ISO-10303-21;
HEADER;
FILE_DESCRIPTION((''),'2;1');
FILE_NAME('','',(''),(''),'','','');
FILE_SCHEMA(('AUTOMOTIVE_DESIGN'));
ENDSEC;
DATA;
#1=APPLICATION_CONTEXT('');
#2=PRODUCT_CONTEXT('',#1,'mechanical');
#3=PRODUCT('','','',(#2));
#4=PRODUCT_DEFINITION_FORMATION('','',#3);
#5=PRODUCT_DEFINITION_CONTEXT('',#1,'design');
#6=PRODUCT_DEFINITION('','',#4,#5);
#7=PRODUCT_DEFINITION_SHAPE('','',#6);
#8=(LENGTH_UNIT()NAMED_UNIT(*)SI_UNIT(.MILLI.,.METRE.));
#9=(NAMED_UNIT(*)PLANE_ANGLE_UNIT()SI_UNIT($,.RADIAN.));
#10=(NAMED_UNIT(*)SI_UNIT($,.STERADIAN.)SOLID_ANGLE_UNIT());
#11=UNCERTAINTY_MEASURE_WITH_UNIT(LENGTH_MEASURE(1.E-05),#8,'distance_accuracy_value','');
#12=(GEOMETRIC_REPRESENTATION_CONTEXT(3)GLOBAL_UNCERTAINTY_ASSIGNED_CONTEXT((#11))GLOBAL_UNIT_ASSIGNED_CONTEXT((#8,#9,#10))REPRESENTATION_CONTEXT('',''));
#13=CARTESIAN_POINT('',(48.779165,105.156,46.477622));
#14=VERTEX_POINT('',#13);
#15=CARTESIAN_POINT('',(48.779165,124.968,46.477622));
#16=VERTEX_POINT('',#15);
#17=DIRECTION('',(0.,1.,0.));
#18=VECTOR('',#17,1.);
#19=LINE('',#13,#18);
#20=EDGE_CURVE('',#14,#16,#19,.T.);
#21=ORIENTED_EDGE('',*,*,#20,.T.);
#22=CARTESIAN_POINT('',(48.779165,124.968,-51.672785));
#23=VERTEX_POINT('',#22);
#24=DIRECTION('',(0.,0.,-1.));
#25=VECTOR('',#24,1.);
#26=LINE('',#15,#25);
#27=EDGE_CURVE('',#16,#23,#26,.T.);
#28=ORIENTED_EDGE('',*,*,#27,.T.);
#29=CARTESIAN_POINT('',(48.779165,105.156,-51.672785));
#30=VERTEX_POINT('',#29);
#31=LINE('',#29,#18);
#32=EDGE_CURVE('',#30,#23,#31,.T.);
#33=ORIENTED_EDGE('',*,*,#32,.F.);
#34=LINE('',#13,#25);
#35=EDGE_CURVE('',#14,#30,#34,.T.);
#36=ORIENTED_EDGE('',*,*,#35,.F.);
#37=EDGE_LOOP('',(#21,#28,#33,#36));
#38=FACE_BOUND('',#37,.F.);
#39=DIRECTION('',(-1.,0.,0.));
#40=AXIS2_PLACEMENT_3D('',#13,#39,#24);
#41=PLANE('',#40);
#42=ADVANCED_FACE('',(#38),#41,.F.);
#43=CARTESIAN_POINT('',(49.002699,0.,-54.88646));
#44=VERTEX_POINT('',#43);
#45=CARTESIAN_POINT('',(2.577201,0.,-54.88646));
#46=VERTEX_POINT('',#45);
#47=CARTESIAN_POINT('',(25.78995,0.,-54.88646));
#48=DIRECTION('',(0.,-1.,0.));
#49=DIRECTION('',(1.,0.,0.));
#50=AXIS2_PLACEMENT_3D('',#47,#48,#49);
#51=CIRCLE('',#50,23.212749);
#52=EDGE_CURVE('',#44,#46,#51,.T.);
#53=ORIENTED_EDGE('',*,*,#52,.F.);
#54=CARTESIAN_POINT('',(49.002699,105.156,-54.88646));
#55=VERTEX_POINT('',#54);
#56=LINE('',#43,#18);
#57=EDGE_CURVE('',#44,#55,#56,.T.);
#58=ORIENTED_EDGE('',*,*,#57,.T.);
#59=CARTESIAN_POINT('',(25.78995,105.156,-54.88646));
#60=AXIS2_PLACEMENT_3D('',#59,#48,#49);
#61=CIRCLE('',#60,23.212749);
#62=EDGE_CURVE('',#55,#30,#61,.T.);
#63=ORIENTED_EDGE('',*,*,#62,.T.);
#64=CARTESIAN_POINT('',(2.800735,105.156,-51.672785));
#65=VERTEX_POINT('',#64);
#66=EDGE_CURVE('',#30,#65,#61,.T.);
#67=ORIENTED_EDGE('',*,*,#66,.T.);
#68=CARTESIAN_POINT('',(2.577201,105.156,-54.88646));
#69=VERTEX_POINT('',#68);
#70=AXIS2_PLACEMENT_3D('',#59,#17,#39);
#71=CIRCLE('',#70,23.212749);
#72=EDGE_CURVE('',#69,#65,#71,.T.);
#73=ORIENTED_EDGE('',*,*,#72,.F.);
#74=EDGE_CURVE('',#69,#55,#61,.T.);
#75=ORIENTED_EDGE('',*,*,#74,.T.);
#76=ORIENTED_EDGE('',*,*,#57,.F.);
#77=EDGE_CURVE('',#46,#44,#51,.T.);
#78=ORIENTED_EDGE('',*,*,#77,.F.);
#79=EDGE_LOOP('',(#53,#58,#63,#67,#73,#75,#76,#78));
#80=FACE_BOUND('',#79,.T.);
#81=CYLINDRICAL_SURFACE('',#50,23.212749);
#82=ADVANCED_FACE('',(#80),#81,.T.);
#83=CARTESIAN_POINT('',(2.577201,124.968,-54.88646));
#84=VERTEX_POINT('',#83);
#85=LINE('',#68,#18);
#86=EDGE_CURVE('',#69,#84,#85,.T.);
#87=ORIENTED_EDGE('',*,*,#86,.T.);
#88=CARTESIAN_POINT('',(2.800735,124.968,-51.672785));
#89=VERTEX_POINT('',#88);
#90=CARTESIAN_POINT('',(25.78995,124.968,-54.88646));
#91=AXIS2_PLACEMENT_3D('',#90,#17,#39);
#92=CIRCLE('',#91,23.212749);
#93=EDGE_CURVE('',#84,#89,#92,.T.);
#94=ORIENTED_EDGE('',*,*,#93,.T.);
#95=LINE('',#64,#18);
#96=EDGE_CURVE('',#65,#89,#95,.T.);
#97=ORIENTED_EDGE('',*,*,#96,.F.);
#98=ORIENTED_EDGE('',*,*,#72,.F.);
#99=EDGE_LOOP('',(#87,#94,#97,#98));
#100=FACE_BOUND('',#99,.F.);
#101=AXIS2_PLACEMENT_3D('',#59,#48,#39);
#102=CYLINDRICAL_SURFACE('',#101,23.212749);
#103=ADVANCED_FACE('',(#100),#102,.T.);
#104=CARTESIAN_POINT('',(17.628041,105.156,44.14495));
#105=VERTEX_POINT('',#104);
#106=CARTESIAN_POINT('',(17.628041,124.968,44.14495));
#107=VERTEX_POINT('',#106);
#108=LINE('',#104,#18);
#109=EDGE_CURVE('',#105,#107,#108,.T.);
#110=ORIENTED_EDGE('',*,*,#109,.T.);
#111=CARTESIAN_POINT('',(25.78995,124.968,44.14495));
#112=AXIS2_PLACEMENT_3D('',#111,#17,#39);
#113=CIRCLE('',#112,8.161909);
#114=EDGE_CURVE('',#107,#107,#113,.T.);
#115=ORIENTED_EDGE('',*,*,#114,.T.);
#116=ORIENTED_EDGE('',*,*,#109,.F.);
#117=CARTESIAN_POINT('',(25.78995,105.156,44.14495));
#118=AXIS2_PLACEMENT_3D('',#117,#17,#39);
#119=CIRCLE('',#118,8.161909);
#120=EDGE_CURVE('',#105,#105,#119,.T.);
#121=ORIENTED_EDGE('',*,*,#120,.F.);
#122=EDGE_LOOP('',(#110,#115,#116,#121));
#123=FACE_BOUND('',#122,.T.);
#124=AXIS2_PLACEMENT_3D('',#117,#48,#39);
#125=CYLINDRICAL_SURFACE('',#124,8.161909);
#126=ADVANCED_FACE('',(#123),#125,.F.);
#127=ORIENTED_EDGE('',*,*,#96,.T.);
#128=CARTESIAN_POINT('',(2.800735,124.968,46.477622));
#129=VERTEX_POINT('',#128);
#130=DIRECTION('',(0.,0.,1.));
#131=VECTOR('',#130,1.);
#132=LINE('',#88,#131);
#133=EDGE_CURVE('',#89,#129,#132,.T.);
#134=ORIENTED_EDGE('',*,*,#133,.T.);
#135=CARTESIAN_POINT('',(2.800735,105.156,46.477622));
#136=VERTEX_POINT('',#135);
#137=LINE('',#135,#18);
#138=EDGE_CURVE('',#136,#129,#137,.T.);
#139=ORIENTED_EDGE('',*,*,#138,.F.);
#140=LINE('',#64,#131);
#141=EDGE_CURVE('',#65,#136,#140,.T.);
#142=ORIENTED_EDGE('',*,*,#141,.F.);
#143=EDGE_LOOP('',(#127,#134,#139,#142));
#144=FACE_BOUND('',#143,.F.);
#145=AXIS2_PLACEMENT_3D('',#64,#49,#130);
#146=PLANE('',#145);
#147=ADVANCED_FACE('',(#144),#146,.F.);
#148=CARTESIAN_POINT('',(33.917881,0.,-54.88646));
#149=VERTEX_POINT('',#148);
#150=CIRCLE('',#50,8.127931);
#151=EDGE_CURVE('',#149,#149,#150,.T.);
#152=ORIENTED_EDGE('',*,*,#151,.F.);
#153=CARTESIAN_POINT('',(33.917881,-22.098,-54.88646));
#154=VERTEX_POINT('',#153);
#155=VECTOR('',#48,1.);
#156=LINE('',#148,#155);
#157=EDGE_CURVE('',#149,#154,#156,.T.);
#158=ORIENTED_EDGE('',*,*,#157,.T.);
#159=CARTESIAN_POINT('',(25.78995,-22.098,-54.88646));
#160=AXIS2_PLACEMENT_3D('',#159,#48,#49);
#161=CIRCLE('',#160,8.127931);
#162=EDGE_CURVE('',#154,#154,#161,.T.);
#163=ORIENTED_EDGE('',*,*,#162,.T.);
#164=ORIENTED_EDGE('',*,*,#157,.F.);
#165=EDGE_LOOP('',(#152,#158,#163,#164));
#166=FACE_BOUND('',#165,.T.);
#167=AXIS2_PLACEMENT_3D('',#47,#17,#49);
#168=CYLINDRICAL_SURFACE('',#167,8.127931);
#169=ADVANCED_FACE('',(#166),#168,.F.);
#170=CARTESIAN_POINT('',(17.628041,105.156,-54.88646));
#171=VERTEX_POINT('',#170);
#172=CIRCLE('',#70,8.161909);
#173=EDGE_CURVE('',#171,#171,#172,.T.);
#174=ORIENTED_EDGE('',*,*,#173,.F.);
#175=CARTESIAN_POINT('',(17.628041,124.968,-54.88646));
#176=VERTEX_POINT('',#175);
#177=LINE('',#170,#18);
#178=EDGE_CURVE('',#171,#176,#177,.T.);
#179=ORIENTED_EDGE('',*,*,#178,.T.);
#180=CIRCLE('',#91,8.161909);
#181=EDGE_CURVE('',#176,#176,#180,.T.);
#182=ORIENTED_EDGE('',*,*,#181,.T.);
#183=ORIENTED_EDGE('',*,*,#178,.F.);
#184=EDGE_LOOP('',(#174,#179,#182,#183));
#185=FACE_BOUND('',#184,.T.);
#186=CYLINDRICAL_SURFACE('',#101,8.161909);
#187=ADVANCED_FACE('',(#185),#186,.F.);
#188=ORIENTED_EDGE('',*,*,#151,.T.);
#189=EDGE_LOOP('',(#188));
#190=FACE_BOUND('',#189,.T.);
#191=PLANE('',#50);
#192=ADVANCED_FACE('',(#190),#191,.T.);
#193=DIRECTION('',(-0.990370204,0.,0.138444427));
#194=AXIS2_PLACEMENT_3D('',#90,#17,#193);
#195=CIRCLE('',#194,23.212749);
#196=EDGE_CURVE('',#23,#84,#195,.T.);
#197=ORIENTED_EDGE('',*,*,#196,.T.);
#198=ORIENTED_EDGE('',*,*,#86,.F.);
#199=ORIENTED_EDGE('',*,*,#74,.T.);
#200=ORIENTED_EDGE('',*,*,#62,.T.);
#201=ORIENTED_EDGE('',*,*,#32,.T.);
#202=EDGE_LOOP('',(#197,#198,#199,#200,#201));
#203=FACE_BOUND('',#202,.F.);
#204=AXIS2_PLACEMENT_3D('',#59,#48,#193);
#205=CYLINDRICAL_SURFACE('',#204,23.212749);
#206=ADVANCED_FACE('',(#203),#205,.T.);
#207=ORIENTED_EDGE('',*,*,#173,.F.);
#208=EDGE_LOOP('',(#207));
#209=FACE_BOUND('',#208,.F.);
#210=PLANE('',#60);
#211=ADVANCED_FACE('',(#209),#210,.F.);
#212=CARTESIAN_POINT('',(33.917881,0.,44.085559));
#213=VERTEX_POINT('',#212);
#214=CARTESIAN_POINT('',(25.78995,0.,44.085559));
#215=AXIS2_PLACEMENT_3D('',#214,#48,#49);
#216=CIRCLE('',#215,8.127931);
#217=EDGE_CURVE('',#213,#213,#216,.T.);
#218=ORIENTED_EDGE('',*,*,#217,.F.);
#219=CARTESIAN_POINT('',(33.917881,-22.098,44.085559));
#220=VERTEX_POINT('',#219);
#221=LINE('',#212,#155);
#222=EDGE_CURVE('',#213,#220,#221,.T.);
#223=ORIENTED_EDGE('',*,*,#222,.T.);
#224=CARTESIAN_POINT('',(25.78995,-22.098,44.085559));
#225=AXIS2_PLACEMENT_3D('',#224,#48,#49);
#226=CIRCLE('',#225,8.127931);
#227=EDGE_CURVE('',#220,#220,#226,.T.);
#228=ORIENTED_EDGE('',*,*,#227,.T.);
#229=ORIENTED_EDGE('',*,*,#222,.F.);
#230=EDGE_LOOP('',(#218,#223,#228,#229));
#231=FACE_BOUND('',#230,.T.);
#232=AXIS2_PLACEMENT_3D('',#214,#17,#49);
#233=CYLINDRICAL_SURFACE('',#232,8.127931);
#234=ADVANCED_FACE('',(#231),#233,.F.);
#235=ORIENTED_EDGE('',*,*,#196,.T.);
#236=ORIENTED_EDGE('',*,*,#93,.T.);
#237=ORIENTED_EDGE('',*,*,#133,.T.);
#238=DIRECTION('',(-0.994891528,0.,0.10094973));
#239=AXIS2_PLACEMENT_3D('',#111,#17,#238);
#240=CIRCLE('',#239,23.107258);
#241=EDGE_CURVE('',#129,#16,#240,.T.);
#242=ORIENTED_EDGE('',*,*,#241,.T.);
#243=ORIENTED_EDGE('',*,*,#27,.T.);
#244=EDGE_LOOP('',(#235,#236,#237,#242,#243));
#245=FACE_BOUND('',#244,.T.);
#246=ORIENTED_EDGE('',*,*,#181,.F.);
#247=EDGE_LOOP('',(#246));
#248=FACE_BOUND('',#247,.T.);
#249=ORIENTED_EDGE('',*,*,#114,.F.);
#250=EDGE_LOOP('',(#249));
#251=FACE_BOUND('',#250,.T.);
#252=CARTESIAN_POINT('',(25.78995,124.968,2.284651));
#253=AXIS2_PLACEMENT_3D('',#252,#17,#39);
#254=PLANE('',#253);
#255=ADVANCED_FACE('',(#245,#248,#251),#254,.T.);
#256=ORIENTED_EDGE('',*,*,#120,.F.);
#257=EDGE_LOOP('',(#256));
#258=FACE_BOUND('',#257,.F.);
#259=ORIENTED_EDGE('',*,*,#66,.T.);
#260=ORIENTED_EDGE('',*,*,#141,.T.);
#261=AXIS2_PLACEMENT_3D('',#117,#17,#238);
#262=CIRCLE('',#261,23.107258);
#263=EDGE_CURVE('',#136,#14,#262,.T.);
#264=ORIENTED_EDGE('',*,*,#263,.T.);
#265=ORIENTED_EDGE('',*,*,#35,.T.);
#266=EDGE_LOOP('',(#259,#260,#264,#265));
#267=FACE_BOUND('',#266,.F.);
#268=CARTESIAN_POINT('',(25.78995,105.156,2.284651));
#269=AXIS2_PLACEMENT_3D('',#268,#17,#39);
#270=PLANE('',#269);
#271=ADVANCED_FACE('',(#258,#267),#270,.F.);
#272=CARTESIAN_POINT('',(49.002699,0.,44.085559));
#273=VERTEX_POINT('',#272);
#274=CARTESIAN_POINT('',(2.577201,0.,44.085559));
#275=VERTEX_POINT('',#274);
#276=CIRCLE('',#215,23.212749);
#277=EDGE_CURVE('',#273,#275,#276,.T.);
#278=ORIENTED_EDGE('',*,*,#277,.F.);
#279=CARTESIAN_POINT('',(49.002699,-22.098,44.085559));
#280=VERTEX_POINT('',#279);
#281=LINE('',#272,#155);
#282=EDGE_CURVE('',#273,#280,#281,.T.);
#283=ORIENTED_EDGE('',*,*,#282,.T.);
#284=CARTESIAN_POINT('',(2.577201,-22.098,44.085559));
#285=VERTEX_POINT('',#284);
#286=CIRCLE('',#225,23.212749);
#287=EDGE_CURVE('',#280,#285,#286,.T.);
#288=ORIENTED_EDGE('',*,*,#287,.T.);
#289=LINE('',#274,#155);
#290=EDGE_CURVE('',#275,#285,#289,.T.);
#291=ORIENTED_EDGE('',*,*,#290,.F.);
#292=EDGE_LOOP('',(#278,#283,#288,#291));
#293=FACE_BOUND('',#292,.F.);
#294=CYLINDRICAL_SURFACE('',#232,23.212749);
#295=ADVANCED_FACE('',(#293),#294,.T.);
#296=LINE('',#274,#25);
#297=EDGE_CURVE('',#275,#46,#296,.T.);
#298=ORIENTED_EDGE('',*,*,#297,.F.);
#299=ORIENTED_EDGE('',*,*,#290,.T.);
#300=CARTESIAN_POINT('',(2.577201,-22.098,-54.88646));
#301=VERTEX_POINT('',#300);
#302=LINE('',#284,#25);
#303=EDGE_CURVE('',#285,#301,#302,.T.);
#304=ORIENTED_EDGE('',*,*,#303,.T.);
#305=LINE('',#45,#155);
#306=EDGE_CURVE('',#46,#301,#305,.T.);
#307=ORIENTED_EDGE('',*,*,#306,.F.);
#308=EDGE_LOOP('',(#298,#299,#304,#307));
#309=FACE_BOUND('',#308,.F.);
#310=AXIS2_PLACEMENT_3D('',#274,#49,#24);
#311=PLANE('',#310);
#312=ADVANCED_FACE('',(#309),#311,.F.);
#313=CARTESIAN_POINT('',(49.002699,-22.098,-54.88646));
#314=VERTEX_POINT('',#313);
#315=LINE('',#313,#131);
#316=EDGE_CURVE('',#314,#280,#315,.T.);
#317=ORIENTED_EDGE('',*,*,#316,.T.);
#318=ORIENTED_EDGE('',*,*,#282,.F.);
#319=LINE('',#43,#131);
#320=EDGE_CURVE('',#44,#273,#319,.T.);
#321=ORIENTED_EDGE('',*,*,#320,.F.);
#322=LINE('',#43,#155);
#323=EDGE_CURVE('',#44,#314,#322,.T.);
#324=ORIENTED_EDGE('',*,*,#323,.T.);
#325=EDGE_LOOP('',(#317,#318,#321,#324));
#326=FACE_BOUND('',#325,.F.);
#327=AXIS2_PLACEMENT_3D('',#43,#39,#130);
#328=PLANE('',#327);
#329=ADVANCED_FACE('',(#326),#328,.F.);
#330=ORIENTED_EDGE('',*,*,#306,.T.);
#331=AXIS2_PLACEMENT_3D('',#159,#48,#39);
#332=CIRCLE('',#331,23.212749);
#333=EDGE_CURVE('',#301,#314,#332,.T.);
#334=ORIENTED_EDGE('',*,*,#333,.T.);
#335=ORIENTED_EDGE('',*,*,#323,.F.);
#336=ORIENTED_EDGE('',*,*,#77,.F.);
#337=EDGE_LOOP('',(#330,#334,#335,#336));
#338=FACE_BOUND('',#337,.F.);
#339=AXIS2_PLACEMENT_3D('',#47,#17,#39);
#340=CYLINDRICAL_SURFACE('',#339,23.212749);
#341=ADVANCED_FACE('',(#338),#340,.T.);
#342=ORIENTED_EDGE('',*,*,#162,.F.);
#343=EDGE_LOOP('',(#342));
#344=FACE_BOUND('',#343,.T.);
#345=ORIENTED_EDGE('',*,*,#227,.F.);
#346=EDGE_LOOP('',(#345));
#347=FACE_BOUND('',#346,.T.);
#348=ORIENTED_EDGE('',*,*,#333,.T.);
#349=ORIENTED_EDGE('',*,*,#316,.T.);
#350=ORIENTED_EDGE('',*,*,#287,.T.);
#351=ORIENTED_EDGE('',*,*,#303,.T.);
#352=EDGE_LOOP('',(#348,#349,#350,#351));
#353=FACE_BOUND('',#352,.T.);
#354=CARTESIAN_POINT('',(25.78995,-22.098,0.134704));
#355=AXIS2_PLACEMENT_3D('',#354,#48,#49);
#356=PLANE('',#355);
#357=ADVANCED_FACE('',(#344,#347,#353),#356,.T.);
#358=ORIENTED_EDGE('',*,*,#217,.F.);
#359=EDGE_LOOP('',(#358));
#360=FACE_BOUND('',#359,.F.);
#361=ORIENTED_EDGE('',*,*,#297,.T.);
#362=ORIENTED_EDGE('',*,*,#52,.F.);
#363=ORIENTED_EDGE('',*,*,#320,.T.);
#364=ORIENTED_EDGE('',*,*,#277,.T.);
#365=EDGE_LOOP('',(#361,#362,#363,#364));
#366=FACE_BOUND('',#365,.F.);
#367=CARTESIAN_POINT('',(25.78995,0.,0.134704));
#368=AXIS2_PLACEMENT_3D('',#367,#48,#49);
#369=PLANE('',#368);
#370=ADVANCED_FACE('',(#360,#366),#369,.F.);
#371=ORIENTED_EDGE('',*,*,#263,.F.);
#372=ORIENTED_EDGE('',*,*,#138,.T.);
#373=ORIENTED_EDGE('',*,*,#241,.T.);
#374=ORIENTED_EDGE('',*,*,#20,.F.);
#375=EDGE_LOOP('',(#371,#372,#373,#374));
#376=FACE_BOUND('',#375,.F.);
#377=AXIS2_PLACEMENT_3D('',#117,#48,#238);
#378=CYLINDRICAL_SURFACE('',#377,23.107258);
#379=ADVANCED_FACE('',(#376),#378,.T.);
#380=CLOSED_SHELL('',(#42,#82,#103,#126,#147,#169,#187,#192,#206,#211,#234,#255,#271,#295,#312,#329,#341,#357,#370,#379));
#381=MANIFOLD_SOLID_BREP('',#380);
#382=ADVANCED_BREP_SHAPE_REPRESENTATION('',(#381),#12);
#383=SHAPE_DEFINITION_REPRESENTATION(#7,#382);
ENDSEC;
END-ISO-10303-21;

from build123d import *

# Parameters (mm, degrees)
F0_R     = 23.2127489618
F1_DEPTH = 105.156
F2_R     = 8.1279313569
F3_DEPTH = 22.098
F4_R     = 8.1619087152
F5_DEPTH = 19.812


with BuildPart() as f1:
    # F0 (on Front) → F1 (new body)
    with BuildSketch(Plane.XZ):
        with Locations((25.789950043, -54.8864603043)):
            Circle(F0_R)
    extrude(amount=-F1_DEPTH)

    # F2 (on face) → F3 (join)
    with BuildSketch(Plane.XZ):
        with BuildLine():
            Line((2.5772010811, 44.0855585039), (2.5772010811, -54.8864603043))
            ThreePointArc((2.5772010811, -54.8864603043), (25.789950043, -31.6737113424), (49.0026990048, -54.8864603043))
            Line((49.0026990048, -54.8864603043), (49.0026990048, 44.0855585039))
            ThreePointArc((49.0026990048, 44.0855585039), (25.789950043, 67.2983074657), (2.5772010811, 44.0855585039))
        make_face()
        with Locations((25.789950043, 44.0855585039)):
            Circle(F2_R, mode=Mode.SUBTRACT)
        with BuildLine():
            ThreePointArc((49.0026990048, -54.8864603043), (25.789950043, -31.6737113424), (2.5772010811, -54.8864603043))
            ThreePointArc((2.5772010811, -54.8864603043), (25.789950043, -78.0992092661), (49.0026990048, -54.8864603043))
        make_face()
        with Locations((25.789950043, -54.8864603043)):
            Circle(F2_R, mode=Mode.SUBTRACT)
    extrude(amount=F3_DEPTH)

    # F4 (on face) → F5 (join)
    with BuildSketch(Plane(origin=(0, 105.156, 0), x_dir=(-1, 0, 0), z_dir=(0, 1, 0))):
        with BuildLine():
            Line((-48.7791649624, 46.4776218361), (-48.7791649624, -51.6727845653))
            ThreePointArc((-48.7791649624, -51.6727845653), (-25.789950043, -31.6737113424), (-2.8007351236, -51.6727845653))
            Line((-2.8007351236, -51.6727845653), (-2.8007351236, 46.4776218361))
            ThreePointArc((-2.8007351236, 46.4776218361), (-25.789950043, 67.2522081192), (-48.7791649624, 46.4776218361))
        make_face()
        with Locations((-25.789950043, 44.144950416)):
            Circle(F4_R, mode=Mode.SUBTRACT)
        with BuildLine():
            ThreePointArc((-2.8007351236, -51.6727845653), (-25.789950043, -31.6737113424), (-48.7791649624, -51.6727845653))
            ThreePointArc((-48.7791649624, -51.6727845653), (-27.4006703184, -78.0432583247), (-2.5772010811, -54.8864603043))
            ThreePointArc((-2.5772010811, -54.8864603043), (-2.6331520225, -53.2757400288), (-2.8007351236, -51.6727845653))
        make_face()
        with Locations((-25.789950043, -54.8864603043)):
            Circle(F4_R, mode=Mode.SUBTRACT)
    extrude(amount=F5_DEPTH)


solid = f1.part
